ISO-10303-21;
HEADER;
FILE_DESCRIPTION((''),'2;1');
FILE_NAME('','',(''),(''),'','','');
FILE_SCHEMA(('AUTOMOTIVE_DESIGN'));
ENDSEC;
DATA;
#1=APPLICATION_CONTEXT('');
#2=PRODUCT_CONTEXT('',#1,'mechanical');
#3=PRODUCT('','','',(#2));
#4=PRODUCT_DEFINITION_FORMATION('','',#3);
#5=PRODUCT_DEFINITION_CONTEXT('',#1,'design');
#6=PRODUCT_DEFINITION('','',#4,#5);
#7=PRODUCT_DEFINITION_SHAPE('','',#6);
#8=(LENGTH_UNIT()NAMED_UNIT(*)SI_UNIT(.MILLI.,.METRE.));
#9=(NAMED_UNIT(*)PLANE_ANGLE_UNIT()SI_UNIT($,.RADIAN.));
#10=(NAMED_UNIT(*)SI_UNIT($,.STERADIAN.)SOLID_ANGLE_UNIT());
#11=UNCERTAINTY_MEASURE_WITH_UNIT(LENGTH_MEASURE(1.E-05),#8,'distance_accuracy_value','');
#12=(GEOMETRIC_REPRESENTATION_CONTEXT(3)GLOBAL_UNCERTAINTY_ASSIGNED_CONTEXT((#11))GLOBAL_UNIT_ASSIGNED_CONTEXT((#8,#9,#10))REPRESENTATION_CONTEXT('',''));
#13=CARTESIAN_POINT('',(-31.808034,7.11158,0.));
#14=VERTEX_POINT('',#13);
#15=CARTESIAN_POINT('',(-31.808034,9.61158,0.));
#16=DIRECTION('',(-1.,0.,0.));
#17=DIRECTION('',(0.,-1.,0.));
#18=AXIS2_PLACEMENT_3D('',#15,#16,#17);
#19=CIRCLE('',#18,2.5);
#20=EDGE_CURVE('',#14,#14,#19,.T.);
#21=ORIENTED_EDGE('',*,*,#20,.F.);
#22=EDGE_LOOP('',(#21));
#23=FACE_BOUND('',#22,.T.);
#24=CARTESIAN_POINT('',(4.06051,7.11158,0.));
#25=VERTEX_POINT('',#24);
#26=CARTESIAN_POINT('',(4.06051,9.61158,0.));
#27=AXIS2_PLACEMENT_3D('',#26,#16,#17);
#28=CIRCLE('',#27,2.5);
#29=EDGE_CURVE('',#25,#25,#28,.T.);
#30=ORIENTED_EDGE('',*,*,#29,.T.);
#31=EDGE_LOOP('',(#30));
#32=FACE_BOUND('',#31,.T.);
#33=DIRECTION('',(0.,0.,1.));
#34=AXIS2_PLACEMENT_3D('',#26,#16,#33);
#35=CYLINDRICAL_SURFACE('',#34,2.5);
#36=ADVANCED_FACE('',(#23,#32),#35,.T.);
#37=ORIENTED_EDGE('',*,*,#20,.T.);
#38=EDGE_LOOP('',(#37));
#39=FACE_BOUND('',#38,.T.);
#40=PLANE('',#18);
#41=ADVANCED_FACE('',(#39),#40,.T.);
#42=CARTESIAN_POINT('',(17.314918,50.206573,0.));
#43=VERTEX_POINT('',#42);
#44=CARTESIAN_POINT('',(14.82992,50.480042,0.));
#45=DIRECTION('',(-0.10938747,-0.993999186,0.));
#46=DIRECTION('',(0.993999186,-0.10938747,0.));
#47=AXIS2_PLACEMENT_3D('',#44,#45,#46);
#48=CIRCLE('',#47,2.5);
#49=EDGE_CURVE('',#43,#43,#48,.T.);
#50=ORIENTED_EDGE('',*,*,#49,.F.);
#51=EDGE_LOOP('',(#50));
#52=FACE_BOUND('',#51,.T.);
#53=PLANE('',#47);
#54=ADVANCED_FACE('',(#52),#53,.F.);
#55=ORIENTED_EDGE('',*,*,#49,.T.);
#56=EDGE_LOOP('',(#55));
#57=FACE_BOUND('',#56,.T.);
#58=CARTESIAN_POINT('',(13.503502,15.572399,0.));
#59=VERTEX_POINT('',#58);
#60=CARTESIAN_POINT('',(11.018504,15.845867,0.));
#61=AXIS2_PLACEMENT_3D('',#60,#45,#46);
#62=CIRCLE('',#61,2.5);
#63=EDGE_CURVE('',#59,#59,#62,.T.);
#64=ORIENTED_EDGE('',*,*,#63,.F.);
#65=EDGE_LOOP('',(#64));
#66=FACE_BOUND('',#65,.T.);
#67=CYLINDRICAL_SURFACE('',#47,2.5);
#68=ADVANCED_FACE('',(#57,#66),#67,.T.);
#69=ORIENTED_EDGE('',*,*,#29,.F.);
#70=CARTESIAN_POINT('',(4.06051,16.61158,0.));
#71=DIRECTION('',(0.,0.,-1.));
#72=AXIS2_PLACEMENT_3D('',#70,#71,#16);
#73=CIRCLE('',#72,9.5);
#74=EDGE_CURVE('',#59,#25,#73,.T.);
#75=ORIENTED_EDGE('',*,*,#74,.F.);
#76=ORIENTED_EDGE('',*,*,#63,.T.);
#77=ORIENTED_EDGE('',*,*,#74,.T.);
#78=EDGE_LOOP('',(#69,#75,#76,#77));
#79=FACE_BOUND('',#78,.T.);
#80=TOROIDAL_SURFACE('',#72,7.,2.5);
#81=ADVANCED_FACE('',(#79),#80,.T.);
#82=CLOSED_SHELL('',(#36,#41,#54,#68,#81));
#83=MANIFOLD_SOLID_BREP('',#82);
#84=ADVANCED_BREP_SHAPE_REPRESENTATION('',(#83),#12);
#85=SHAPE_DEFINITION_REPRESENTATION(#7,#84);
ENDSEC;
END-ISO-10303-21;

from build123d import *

# Parameters (mm, degrees)
SWEEP2_PROFILE_R = 2.5


with BuildPart() as part:
    # Sweep2: sweep along a path in Sketch1
    with BuildLine(Plane.XY) as sweep2_path:
        Line((-31.80803431, 9.611579787), (4.060509597, 9.611579787))
        ThreePointArc((4.060509597, 9.611579787), (8.73169863, 11.398136297), (11.018503897, 15.845867495))
        Line((11.018503897, 15.845867495), (14.829920229, 50.48004199))
    # Sweep2 profile (on start of the path) → Sweep2 (sweep)
    with BuildSketch(Plane(origin=(-31.80803431, 9.611579787, 0), x_dir=(0, 0, 1), z_dir=(1, 0, 0))):
        Circle(SWEEP2_PROFILE_R)
    sweep(path=sweep2_path.line)


solid = part.part
